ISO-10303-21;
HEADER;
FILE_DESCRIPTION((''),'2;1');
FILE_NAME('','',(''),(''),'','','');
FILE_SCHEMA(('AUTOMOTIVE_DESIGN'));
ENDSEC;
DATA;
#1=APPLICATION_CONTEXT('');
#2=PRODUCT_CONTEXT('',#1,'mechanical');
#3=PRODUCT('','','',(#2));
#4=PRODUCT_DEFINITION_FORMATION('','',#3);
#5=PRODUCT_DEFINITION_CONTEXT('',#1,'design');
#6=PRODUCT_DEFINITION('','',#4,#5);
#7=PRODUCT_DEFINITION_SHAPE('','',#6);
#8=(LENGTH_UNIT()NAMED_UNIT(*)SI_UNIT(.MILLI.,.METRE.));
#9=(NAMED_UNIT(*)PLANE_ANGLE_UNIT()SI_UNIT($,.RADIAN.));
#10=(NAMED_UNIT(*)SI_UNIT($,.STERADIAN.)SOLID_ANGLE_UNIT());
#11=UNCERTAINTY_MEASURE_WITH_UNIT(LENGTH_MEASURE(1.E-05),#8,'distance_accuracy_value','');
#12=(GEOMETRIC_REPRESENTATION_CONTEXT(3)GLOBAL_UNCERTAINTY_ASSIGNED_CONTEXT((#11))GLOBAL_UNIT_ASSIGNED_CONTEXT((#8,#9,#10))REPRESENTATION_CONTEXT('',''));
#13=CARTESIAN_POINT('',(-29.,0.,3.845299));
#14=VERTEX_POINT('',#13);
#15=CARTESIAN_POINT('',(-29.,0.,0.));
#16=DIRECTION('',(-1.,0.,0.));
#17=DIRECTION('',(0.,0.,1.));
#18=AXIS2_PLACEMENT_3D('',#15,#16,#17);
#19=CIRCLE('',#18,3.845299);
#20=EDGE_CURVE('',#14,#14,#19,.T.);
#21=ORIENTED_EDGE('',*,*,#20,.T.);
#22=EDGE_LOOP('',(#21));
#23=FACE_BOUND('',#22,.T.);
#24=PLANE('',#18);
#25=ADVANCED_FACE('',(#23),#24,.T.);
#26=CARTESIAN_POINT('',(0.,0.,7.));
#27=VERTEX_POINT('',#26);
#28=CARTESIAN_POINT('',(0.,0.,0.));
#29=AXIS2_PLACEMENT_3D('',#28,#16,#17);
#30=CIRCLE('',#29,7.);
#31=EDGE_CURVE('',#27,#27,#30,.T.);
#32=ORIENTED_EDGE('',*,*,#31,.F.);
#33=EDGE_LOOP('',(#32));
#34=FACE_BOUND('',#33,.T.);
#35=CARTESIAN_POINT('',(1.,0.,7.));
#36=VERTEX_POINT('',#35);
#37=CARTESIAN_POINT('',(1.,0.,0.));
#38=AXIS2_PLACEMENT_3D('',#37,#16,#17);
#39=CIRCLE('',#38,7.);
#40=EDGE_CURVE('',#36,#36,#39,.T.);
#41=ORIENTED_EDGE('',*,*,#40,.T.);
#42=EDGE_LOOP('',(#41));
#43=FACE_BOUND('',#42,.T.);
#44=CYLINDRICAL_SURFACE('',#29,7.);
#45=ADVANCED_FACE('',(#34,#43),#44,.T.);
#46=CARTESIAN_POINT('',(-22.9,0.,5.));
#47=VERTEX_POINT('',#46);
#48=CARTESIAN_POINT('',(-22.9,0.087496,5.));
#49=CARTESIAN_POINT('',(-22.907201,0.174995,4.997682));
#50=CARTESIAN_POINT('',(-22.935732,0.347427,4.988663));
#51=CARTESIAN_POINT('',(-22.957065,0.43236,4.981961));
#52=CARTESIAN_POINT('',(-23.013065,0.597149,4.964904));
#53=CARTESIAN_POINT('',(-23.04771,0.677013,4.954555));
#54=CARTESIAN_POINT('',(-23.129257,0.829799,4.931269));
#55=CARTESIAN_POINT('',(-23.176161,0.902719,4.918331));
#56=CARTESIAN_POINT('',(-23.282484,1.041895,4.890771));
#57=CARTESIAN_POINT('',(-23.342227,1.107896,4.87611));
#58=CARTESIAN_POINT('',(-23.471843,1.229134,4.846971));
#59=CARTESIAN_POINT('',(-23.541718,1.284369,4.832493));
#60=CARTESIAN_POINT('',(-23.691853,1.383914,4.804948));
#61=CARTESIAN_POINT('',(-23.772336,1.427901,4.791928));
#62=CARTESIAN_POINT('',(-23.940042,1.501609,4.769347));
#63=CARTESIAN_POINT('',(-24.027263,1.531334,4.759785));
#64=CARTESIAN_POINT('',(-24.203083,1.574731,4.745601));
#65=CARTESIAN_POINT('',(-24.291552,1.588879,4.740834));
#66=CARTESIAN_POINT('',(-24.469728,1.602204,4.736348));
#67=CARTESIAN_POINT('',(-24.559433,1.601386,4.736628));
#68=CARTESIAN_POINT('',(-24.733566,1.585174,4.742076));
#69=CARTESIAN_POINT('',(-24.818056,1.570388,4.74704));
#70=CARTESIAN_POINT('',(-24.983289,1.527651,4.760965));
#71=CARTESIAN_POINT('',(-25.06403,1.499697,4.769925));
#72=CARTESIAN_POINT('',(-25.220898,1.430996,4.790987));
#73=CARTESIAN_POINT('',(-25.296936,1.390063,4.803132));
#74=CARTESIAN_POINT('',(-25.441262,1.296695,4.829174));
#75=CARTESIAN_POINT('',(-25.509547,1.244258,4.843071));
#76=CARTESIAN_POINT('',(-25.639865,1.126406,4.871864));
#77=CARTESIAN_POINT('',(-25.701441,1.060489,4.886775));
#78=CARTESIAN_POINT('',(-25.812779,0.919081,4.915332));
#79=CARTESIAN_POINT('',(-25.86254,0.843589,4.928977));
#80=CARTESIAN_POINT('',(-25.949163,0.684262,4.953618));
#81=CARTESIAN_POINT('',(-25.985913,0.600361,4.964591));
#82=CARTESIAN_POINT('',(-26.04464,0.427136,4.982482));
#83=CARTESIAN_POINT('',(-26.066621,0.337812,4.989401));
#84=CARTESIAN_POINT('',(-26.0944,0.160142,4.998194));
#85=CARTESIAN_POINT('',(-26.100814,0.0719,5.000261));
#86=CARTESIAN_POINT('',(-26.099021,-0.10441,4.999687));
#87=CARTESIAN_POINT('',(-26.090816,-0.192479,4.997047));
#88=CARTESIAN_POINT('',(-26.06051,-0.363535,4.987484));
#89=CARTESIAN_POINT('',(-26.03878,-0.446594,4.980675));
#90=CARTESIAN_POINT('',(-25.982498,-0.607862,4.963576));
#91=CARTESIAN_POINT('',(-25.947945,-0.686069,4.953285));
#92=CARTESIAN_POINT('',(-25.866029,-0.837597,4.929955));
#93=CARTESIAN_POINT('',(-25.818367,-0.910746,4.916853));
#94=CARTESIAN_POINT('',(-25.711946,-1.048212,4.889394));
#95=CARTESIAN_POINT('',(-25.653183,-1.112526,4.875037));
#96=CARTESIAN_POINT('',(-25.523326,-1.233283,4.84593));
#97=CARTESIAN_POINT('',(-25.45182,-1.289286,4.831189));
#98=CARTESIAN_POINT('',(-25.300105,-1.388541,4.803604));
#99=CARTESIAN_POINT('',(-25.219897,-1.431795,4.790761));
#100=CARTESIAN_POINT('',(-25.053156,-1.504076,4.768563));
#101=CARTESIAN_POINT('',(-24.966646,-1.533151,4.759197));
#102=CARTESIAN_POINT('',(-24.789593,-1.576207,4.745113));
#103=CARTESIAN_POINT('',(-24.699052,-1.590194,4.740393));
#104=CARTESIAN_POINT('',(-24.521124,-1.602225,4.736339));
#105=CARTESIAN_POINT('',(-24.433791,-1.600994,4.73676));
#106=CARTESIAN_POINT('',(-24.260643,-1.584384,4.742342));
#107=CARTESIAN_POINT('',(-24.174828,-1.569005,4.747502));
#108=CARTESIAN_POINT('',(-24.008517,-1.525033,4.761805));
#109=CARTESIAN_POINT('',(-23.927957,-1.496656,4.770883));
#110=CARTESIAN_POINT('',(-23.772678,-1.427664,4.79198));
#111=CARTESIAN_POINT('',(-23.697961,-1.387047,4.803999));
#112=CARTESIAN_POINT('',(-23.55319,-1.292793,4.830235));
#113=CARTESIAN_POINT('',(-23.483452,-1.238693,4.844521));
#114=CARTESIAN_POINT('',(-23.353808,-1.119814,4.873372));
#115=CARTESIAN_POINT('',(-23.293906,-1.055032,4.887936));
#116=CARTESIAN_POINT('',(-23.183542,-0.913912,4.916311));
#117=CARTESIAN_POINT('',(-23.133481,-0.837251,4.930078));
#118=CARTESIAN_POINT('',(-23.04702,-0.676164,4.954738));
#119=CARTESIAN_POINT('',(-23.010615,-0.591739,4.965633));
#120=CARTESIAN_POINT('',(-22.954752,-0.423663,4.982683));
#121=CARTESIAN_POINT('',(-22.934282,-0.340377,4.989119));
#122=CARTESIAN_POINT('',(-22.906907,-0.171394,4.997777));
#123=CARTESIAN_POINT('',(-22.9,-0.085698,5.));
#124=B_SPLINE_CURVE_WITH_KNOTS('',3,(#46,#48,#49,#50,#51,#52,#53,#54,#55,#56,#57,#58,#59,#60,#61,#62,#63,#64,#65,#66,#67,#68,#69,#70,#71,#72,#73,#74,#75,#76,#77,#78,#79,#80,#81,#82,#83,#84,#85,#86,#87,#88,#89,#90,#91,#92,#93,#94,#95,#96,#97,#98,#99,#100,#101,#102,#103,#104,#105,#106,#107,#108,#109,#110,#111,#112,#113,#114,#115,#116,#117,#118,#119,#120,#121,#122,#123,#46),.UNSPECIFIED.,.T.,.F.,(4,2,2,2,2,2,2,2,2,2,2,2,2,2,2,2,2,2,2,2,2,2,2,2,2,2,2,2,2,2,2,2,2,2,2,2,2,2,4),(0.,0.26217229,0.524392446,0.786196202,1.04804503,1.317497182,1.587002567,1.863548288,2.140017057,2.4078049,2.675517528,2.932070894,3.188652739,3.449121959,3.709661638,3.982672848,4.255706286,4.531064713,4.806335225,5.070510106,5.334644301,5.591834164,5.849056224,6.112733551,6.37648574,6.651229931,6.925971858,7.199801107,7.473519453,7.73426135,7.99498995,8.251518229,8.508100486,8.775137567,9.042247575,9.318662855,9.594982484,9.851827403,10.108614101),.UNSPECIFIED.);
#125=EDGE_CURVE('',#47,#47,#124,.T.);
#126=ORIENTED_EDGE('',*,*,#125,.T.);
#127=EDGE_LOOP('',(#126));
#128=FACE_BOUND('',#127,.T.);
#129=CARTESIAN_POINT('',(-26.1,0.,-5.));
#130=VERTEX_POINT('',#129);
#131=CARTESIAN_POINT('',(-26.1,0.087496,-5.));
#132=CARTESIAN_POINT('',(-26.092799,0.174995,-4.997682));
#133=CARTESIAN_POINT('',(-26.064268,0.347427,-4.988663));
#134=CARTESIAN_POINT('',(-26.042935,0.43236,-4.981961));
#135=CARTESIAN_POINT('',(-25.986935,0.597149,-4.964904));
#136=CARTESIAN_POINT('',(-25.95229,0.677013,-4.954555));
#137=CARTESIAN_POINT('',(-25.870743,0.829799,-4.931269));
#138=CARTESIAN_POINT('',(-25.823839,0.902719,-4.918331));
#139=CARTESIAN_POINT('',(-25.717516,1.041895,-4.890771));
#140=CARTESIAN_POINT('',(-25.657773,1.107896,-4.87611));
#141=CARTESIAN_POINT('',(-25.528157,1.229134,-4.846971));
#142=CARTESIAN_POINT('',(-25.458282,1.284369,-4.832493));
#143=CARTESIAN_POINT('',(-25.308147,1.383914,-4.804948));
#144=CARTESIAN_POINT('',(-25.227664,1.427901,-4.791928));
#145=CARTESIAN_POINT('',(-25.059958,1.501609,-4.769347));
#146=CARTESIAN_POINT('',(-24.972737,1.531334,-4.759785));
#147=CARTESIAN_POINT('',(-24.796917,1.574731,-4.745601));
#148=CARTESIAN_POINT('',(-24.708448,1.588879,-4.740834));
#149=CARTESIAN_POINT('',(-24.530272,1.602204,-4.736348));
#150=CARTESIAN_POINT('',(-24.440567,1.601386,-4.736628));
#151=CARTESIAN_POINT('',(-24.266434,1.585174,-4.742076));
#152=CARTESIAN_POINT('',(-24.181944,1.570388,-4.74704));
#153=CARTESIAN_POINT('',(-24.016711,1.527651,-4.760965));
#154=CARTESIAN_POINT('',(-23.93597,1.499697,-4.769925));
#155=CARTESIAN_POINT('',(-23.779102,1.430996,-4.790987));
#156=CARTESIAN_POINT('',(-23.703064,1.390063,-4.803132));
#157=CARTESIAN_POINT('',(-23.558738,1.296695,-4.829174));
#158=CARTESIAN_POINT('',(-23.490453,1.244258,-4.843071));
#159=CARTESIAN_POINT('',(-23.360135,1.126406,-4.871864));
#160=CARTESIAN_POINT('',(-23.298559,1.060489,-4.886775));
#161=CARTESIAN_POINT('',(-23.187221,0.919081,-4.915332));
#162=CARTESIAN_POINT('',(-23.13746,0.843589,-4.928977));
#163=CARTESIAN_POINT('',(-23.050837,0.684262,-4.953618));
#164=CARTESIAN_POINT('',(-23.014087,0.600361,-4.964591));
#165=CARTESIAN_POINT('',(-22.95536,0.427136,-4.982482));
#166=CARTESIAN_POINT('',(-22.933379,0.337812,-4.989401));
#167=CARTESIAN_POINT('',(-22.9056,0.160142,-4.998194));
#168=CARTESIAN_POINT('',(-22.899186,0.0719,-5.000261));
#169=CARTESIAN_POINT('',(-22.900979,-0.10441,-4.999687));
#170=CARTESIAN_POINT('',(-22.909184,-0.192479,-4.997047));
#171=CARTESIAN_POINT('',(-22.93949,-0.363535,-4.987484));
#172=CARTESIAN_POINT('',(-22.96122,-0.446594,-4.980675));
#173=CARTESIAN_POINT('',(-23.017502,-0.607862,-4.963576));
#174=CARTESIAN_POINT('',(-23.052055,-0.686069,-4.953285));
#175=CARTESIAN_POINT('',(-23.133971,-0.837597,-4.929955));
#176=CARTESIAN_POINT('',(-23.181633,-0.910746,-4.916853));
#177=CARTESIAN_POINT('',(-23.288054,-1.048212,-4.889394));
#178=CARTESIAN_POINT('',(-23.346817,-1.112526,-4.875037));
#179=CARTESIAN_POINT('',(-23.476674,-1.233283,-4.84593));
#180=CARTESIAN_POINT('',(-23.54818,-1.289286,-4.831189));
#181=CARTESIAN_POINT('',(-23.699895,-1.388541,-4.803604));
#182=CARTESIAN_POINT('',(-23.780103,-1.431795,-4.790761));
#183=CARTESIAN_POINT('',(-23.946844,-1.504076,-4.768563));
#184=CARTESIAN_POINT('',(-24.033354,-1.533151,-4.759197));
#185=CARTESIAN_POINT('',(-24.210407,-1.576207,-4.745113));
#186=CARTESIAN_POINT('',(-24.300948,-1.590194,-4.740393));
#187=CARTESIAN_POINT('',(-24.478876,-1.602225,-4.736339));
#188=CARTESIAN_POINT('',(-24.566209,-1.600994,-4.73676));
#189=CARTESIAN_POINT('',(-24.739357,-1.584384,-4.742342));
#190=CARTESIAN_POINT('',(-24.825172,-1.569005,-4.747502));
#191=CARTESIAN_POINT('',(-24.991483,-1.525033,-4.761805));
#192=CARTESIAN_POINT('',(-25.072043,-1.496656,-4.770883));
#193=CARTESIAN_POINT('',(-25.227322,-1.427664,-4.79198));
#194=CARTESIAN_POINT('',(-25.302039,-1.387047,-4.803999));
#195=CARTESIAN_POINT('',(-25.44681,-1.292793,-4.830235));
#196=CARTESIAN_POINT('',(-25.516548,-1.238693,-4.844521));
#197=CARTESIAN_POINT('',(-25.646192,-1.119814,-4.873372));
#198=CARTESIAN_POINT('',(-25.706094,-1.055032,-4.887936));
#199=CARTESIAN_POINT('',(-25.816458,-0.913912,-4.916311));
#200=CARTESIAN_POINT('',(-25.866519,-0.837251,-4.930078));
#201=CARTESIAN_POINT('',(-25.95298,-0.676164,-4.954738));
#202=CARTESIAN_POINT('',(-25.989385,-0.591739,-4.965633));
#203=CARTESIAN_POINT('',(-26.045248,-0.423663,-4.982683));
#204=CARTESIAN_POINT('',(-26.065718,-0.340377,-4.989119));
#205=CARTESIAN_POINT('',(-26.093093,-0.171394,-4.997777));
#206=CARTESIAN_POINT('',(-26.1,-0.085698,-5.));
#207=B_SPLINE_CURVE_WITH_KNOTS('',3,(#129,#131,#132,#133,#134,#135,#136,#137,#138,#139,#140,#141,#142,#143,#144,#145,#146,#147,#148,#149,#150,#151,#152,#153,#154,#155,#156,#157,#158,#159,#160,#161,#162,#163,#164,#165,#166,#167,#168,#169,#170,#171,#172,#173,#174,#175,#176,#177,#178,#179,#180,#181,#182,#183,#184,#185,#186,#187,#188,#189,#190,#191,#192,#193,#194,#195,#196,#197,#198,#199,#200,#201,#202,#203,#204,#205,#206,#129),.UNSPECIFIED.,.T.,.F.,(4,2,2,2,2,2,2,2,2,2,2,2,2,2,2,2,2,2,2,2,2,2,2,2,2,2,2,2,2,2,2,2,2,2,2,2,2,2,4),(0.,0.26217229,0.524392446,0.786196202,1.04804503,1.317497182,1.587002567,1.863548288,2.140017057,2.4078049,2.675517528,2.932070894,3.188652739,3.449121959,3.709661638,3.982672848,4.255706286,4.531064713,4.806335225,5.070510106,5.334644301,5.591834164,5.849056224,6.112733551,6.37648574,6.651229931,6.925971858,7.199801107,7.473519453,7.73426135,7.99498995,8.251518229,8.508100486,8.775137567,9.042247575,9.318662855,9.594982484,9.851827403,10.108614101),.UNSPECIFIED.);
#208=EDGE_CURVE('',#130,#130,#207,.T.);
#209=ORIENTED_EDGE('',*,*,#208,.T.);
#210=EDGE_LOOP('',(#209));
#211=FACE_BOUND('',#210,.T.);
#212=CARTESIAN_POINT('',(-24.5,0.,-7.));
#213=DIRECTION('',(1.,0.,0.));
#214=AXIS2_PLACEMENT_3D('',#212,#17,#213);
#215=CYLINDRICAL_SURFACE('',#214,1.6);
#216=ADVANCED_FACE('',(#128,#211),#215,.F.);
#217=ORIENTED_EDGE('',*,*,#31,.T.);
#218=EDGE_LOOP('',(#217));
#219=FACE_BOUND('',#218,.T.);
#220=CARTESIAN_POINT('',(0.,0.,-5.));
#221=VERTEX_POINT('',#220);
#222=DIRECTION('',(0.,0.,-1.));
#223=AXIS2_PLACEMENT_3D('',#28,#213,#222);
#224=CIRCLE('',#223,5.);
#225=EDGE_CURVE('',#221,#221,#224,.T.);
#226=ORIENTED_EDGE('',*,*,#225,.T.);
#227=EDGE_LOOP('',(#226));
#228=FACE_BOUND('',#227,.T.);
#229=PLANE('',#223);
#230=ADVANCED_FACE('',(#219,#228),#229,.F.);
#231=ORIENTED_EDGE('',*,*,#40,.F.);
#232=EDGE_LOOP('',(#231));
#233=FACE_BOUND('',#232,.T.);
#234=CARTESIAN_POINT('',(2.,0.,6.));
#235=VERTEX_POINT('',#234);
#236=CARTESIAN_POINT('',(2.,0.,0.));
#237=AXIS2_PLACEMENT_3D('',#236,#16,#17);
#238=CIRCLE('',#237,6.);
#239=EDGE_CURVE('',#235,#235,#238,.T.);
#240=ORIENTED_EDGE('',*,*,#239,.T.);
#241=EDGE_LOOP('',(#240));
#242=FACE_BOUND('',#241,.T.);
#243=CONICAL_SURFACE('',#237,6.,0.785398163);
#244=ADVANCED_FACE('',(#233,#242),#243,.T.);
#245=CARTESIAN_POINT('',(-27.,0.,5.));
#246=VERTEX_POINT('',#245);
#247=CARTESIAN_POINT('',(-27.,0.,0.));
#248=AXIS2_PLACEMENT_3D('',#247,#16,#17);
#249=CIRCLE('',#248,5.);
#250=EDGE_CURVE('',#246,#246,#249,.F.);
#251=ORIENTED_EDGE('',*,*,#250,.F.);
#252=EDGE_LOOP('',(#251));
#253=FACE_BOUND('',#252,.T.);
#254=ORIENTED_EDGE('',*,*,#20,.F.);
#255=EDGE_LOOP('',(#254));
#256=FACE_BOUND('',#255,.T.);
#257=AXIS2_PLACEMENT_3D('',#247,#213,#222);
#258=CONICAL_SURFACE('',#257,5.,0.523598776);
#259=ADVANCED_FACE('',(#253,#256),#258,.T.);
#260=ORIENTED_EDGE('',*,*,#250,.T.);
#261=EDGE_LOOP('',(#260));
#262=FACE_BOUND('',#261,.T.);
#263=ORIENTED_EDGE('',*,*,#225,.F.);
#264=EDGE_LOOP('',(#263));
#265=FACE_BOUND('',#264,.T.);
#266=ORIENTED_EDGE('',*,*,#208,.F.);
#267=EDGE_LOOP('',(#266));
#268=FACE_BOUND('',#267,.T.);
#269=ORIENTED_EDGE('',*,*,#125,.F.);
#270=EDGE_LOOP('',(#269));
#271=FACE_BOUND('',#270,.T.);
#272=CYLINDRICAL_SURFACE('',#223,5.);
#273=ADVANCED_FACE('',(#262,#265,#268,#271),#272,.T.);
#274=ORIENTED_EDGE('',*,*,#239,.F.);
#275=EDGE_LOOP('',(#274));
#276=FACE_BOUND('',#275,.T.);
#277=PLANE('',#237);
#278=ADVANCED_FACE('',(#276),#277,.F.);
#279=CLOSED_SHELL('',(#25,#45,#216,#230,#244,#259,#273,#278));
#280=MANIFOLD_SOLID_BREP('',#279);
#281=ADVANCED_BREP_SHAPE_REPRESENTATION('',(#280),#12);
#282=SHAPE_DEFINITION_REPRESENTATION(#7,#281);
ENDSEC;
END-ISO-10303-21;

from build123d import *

# Parameters (mm, degrees)
SKETCH1_W              = 29
SKETCH1_H              = 5
HEAD_CHAMFER_SIZE      = 2
HEAD_CHAMFER_SIZE2     = 1.154700538
SKETCH21_R             = 1.6
R_CLIP_HOLE_DEPTH      = 8
R_CLIP_HOLE_DEPTH_BACK = 8


with BuildPart() as part:
    # Sketch1 → Body Revolve (revolve)
    with BuildSketch(Plane.XY):
        with Locations((-14.5, 2.5)):
            Rectangle(SKETCH1_W, SKETCH1_H)
    revolve(axis=Axis((0, 0, 0), (-1, 0, 0)))

    # Sketch14 → Head Revolve (revolve)
    with BuildSketch(Plane.XY):
        Polygon((0, 0), (2, 0), (2, 6), (1, 7), (0, 7), align=None)
    revolve(axis=Axis((0, 0, 0), (1, 0, 0)))

    # Head Chamfer
    head_chamfer_edges = [part.edges().sort_by_distance(p)[0] for p in [
        (-29, -5, 0),
    ]]
    head_chamfer_side = [part.faces().sort_by_distance(p)[0] for p in [
        (-14.5, -5, 0),
    ]]
    chamfer(head_chamfer_edges, length=HEAD_CHAMFER_SIZE, length2=HEAD_CHAMFER_SIZE2, reference=head_chamfer_side[0])

    # Sketch21 → R Clip Hole (cut, two sides)
    with BuildSketch(Plane.XY) as r_clip_hole_sk:
        with Locations((-24.5, 0)):
            Circle(SKETCH21_R)
    extrude(amount=R_CLIP_HOLE_DEPTH, mode=Mode.SUBTRACT)
    extrude(r_clip_hole_sk.sketch, amount=-R_CLIP_HOLE_DEPTH_BACK, mode=Mode.SUBTRACT)


solid = part.part
